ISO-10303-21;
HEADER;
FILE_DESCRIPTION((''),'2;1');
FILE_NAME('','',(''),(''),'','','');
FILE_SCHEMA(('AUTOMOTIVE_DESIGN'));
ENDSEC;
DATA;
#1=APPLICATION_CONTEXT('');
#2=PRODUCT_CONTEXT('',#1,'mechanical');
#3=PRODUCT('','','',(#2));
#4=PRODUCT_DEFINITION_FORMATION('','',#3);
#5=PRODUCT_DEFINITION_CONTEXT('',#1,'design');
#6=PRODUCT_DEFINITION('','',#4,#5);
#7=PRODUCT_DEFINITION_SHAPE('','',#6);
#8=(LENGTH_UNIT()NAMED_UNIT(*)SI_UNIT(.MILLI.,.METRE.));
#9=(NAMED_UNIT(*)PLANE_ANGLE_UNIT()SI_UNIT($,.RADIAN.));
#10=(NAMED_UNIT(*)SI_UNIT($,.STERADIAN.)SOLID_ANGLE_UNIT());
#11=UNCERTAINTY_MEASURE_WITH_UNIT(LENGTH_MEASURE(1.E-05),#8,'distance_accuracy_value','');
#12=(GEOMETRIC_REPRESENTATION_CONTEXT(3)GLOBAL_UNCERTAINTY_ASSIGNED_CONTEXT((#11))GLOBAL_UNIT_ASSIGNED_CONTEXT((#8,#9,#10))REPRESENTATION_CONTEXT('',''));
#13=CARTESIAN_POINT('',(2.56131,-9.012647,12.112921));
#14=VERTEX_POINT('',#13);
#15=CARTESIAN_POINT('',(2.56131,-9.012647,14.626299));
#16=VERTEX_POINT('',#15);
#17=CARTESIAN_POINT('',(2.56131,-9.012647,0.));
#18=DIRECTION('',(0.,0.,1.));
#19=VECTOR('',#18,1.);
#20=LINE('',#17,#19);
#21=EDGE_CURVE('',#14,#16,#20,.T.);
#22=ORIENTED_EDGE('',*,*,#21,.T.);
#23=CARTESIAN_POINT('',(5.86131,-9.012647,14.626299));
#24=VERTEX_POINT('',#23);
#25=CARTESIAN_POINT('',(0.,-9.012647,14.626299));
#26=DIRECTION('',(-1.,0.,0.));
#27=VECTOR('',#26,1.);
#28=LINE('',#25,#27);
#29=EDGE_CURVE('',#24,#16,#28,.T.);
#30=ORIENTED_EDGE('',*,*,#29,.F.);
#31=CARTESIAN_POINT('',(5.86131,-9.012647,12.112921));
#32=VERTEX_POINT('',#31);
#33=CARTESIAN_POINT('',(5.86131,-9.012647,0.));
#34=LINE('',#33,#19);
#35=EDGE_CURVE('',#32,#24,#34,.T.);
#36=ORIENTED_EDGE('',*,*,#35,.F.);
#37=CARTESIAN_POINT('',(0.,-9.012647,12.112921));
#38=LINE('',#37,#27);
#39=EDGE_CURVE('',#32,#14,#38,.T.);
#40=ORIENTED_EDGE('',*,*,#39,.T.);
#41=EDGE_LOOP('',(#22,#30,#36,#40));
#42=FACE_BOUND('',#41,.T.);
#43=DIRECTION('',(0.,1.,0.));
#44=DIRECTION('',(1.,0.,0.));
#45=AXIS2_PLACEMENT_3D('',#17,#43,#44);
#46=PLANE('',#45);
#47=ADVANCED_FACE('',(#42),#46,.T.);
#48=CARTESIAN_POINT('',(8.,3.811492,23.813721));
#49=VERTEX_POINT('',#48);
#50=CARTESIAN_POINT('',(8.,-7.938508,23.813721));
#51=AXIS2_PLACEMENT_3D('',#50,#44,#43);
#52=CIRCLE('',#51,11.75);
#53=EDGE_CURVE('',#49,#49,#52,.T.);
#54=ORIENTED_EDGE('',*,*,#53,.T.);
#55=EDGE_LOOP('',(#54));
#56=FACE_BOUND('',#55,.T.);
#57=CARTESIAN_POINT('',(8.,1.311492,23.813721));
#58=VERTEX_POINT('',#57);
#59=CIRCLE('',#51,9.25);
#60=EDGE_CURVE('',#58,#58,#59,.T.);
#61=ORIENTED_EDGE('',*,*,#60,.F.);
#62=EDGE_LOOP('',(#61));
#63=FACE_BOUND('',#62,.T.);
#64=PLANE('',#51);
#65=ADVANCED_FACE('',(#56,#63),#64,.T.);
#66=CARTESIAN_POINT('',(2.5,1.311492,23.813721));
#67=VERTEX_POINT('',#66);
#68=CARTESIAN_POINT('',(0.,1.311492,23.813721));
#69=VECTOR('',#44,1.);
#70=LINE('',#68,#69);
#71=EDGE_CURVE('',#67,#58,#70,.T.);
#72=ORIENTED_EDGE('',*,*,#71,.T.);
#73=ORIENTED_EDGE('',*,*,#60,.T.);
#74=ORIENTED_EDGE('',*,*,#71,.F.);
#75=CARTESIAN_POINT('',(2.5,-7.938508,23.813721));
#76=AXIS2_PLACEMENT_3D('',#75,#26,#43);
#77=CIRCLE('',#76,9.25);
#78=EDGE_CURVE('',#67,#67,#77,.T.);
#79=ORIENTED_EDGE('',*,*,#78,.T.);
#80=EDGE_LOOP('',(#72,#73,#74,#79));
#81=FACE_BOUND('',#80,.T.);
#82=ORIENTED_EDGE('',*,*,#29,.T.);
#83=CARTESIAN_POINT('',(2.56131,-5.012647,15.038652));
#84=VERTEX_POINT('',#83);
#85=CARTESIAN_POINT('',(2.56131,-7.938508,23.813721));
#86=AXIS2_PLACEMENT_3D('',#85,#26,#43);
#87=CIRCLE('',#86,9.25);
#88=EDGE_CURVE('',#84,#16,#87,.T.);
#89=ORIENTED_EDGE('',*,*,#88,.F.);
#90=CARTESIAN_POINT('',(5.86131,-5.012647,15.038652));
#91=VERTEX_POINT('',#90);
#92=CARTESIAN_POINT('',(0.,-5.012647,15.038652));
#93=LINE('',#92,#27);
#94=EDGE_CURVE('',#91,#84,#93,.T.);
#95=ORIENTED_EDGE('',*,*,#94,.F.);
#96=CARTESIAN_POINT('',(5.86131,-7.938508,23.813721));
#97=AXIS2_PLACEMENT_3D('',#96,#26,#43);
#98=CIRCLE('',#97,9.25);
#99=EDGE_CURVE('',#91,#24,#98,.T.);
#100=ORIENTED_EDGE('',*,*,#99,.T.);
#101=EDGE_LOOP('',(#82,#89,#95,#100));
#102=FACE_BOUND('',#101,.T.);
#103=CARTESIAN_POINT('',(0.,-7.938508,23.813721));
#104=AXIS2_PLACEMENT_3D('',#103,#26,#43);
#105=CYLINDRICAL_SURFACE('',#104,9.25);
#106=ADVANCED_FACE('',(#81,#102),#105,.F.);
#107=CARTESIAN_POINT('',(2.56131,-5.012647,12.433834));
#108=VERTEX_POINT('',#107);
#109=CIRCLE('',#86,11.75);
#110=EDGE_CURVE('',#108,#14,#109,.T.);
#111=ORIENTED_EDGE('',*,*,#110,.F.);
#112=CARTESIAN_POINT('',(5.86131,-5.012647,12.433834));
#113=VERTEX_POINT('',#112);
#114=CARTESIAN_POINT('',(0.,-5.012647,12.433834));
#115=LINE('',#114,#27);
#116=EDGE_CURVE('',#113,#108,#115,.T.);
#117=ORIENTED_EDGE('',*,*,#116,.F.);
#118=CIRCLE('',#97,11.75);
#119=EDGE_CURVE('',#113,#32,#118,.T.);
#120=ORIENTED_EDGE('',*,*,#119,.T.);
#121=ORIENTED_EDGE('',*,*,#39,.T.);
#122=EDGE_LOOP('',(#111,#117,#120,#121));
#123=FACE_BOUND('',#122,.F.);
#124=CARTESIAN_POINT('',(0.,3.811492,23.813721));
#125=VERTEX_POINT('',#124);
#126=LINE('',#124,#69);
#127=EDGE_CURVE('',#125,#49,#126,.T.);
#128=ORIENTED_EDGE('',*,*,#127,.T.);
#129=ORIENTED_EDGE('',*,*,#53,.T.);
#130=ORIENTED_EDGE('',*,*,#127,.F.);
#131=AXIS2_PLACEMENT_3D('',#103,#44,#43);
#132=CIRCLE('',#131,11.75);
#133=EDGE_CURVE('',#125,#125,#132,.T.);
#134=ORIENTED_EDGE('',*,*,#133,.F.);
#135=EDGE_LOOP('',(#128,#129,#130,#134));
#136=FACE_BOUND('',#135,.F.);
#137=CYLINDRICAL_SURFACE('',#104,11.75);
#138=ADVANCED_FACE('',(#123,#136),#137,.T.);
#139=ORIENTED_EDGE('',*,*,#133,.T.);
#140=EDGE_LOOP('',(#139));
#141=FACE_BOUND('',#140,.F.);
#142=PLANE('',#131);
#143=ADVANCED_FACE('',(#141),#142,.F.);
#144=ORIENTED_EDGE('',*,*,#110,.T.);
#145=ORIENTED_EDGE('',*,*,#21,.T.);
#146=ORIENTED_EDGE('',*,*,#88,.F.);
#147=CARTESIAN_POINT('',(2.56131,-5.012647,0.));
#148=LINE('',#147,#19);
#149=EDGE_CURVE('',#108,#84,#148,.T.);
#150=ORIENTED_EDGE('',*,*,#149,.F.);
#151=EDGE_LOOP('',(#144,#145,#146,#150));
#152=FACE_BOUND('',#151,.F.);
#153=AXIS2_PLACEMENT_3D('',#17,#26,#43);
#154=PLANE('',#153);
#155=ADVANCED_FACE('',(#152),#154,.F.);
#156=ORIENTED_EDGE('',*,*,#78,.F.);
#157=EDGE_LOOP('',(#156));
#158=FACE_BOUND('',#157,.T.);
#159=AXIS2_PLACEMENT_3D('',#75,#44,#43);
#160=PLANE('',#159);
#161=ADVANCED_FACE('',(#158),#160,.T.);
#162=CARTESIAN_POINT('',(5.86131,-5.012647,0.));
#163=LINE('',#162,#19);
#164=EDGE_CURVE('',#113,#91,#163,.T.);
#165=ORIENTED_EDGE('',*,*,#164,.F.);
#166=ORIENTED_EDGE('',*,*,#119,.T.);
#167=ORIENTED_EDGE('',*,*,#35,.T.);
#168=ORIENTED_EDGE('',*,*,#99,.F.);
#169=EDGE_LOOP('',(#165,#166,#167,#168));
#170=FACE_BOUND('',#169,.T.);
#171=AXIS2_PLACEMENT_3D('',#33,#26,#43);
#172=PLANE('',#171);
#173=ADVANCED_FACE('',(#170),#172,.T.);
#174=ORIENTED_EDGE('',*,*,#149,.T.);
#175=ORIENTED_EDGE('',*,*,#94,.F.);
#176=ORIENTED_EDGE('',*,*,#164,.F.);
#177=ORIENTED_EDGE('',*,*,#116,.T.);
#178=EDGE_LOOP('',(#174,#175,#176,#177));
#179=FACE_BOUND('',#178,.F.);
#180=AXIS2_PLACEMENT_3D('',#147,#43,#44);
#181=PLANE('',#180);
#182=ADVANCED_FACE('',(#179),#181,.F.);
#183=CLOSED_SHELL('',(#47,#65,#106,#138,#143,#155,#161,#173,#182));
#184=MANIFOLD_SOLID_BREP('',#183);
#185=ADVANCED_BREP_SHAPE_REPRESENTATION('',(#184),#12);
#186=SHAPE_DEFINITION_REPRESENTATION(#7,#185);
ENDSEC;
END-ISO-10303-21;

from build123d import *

# Parameters (mm, degrees)
F0_R     = 11.75
F1_DEPTH = 8
F2_T     = -2.5
F3_W     = 3.3
F3_H     = 4
F4_DEPTH = 25


with BuildPart() as f1:
    # F0 (on Right) → F1 (new body)
    with BuildSketch(Plane.YZ):
        with Locations((-7.938508, 23.813721)):
            Circle(F0_R)
    extrude(amount=F1_DEPTH)

    # F2
    f2_openings = [f1.faces().sort_by_distance(p)[0] for p in [
        (8, -7.938508, 23.813721),
    ]]
    offset(amount=F2_T, openings=f2_openings)

    # F3 (on Top) → F4 (cut)
    with BuildSketch(Plane.XY):
        with Locations((4.21131, -7.012647)):
            Rectangle(F3_W, F3_H)
    extrude(amount=F4_DEPTH, mode=Mode.SUBTRACT)


solid = f1.part
